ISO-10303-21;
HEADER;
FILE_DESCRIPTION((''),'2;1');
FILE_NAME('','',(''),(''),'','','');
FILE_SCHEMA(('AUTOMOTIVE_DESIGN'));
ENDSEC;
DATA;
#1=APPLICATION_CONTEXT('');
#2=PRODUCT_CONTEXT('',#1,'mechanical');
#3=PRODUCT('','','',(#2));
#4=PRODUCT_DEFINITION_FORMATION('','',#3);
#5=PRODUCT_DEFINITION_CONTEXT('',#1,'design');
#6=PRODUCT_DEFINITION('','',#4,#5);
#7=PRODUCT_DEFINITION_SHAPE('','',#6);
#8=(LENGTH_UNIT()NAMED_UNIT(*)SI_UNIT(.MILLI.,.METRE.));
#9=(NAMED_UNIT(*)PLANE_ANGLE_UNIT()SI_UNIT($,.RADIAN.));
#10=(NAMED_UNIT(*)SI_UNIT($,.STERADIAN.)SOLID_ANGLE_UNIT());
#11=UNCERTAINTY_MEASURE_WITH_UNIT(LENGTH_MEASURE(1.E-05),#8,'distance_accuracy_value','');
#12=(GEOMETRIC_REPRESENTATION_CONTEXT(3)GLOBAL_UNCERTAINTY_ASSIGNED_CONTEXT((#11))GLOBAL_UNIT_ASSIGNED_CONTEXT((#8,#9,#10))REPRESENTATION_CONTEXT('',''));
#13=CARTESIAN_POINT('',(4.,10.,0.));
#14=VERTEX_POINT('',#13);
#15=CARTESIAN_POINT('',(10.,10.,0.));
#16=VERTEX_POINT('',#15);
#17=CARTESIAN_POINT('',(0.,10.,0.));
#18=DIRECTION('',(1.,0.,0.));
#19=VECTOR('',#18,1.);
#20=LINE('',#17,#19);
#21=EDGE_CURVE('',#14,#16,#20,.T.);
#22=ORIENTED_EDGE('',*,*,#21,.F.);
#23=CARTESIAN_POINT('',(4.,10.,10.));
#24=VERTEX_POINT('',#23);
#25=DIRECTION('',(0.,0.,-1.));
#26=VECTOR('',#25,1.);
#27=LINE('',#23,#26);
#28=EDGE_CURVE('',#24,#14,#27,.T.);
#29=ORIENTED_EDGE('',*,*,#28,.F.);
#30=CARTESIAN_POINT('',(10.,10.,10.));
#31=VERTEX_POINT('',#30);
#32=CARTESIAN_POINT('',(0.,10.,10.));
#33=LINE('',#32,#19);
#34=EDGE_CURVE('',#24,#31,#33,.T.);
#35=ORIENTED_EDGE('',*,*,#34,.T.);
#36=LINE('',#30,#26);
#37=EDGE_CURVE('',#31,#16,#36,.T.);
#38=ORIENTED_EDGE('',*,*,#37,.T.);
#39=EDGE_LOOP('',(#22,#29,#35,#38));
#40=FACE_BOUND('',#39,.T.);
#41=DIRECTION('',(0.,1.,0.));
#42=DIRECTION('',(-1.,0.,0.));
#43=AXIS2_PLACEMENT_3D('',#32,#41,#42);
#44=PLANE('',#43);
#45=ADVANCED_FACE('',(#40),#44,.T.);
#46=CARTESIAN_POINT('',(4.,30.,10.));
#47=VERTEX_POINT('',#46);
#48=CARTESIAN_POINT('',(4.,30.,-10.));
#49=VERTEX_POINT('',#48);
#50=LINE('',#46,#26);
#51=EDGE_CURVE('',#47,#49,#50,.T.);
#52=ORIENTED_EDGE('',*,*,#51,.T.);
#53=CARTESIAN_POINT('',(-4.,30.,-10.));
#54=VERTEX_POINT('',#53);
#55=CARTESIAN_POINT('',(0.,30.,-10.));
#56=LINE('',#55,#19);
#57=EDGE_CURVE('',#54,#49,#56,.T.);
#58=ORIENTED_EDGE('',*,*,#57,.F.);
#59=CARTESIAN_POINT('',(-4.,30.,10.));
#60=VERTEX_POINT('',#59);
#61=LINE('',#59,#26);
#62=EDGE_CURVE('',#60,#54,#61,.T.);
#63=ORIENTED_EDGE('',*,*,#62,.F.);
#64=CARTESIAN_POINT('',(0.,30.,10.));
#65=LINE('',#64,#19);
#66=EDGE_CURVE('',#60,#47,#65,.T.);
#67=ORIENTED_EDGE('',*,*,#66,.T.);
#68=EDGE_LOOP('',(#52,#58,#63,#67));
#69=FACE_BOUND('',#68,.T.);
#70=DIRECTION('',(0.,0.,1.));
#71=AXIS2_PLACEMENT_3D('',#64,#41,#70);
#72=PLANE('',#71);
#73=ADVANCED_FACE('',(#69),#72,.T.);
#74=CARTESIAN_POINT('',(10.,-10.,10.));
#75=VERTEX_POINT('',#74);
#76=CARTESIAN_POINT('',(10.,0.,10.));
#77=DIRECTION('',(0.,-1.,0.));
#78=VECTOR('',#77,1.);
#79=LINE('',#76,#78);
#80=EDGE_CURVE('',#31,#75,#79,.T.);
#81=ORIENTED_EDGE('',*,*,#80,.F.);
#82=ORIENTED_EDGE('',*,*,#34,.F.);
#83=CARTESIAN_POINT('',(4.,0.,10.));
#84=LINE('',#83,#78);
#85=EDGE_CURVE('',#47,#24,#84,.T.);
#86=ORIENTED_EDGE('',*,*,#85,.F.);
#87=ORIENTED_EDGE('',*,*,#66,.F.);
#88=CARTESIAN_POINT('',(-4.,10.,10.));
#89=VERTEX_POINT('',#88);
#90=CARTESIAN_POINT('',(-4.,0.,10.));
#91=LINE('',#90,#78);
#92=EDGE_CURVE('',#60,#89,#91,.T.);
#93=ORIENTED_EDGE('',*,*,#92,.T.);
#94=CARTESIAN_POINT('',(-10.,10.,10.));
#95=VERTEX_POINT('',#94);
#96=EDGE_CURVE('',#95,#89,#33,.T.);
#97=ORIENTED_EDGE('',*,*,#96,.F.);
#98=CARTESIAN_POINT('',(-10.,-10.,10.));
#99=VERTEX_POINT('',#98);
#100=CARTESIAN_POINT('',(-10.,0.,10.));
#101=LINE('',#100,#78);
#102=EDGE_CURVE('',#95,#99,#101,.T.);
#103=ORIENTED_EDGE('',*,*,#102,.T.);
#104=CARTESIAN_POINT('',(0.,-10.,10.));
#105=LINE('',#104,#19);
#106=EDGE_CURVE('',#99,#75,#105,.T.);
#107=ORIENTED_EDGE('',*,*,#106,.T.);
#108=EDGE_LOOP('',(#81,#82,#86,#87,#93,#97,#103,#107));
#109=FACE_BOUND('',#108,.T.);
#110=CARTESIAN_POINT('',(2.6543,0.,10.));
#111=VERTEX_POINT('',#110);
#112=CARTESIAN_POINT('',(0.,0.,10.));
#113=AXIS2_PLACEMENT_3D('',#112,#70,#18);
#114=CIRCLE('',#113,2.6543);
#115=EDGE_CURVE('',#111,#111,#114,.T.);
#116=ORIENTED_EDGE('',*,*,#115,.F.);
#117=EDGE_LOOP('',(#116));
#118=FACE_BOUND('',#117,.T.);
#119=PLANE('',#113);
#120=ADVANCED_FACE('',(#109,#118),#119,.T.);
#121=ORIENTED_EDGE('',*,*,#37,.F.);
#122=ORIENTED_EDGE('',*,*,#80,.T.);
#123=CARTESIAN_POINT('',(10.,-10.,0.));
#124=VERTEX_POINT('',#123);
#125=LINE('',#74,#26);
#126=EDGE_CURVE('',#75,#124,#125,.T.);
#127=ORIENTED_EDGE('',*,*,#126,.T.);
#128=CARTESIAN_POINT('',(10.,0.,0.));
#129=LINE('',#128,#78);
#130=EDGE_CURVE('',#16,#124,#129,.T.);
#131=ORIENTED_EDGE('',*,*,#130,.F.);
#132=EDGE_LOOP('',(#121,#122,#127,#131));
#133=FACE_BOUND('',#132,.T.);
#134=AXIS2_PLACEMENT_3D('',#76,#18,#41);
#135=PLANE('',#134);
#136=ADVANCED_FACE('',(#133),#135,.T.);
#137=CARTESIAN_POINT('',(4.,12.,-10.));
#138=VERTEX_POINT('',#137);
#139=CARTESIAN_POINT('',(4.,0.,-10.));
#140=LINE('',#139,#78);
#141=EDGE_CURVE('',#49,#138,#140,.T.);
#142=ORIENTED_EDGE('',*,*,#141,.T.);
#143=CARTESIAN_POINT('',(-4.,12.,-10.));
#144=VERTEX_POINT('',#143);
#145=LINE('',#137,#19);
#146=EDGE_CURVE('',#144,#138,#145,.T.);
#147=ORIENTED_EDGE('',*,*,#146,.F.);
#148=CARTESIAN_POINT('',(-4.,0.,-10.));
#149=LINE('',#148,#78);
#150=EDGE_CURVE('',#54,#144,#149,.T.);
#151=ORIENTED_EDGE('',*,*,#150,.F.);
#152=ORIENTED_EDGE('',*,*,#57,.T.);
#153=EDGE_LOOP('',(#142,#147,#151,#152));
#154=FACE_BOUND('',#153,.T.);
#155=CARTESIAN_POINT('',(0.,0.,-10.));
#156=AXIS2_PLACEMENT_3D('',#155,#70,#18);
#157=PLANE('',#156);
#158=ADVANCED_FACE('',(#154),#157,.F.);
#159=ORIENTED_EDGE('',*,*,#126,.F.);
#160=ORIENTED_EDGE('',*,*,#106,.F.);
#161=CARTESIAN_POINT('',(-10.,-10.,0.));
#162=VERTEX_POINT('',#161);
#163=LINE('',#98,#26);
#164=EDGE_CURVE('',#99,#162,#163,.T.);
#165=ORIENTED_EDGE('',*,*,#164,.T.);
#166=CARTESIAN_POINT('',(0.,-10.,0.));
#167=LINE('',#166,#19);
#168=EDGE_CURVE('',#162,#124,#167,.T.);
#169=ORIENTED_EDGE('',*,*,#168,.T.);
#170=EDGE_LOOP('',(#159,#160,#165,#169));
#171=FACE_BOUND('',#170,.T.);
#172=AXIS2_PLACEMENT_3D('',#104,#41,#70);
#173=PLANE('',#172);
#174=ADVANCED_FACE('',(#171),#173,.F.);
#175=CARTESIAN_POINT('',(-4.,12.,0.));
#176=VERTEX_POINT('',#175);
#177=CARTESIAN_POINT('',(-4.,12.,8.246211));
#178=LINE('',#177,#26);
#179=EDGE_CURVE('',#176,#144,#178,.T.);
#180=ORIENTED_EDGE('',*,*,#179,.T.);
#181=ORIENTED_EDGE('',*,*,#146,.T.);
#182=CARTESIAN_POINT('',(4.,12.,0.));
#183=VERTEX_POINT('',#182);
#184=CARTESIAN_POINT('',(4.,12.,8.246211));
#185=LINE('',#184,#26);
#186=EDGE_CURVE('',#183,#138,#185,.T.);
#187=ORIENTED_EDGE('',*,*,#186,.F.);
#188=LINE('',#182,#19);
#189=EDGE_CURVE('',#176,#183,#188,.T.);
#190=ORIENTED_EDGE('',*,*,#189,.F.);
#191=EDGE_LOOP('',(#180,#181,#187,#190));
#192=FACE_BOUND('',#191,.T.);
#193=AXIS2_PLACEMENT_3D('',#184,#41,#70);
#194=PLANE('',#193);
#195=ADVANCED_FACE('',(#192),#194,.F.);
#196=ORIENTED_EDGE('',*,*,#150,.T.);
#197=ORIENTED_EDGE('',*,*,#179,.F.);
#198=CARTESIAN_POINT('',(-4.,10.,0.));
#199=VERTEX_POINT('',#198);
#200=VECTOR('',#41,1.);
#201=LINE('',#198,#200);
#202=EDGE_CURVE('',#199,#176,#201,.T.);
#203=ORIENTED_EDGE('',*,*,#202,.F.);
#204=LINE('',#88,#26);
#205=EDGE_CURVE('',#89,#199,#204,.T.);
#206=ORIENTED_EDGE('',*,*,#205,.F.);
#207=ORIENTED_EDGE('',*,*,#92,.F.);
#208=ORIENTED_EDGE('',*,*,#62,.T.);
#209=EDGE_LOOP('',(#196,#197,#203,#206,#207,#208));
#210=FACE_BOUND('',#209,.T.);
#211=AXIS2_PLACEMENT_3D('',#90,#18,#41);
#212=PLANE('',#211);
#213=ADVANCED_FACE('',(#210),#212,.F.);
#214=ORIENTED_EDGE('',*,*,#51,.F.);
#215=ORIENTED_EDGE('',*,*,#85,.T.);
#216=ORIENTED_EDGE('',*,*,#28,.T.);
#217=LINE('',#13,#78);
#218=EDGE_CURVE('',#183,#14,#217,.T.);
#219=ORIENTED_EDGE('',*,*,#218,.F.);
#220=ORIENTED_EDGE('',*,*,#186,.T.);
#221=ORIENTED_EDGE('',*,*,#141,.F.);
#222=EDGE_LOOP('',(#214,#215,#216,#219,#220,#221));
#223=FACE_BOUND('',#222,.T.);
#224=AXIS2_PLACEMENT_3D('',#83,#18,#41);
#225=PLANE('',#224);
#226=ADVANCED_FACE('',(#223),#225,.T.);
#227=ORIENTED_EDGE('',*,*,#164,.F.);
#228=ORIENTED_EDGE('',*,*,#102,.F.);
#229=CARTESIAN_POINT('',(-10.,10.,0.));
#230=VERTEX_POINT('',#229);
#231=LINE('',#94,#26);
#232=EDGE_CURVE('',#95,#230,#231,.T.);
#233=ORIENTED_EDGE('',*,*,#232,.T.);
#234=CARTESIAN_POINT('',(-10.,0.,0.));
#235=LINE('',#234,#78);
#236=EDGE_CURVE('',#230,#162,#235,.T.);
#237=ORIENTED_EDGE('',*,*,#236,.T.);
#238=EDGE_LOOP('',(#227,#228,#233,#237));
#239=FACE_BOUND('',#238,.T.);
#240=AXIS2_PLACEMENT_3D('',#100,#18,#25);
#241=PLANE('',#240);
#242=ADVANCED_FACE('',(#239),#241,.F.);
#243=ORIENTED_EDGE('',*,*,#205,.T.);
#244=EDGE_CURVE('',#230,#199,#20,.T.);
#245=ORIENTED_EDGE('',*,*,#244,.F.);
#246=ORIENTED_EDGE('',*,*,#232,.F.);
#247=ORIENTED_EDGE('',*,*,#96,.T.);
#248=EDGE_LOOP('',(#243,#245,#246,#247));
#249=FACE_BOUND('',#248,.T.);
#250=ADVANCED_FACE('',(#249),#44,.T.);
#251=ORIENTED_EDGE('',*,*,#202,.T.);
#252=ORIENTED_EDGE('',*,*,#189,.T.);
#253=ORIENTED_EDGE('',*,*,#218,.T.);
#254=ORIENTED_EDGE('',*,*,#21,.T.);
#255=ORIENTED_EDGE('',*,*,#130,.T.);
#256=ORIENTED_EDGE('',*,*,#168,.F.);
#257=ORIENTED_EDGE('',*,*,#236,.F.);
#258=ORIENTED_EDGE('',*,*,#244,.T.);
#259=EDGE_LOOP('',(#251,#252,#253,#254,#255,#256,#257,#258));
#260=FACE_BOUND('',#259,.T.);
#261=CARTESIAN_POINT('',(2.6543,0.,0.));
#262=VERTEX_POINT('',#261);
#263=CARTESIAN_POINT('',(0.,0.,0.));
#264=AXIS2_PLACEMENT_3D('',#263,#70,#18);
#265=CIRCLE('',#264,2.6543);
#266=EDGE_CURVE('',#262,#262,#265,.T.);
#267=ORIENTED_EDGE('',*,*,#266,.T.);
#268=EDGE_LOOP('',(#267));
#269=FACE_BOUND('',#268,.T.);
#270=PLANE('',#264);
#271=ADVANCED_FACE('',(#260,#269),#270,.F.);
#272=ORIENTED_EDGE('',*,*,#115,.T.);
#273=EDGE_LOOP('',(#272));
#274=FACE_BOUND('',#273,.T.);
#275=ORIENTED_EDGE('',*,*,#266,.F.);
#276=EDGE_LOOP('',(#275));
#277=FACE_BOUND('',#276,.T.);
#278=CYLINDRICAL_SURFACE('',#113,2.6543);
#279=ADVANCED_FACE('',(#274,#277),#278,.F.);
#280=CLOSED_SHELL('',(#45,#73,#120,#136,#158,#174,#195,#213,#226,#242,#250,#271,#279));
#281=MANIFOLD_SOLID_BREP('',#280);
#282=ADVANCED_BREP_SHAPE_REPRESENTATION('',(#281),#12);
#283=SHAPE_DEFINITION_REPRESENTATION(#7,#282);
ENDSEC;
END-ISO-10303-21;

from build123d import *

# Parameters (mm, degrees)
SKETCH1_W                  = 20
SKETCH1_H                  = 20
SKETCH1_W_2                = 8
BOSS_EXTRUDE1_DEPTH        = 10
F_4_0_209_DIAMETER_HOLE1_D = 5.3086
SKETCH1_3_W                = 8
SKETCH1_3_H                = 20
BOSS_EXTRUDE2_DEPTH        = 10
SKETCH4_W                  = 8
SKETCH4_H                  = 2
CUT_EXTRUDE1_DEPTH         = 10


with BuildPart() as part:
    # Sketch1 → Boss-Extrude1 (new body)
    with BuildSketch(Plane.XY):
        Rectangle(SKETCH1_W, SKETCH1_H)
        with Locations((0, 20)):
            Rectangle(SKETCH1_W_2, SKETCH1_H)
    extrude(amount=BOSS_EXTRUDE1_DEPTH)

    # #4 (0.209) Diameter Hole1 (through all)
    with Locations(Plane.XY.offset(10)):
        with Locations((0, 0)):
            Hole(F_4_0_209_DIAMETER_HOLE1_D / 2)

    # Sketch1<3> → Boss-Extrude2 (add)
    with BuildSketch(Plane.XY):
        with Locations((0, 20)):
            Rectangle(SKETCH1_3_W, SKETCH1_3_H)
    extrude(amount=-BOSS_EXTRUDE2_DEPTH)

    # Sketch4 → Cut-Extrude1 (cut)
    with BuildSketch(Plane(origin=(0, 0, -10), x_dir=(-1, 0, 0), z_dir=(0, 0, -1))):
        with Locations((0, 11)):
            Rectangle(SKETCH4_W, SKETCH4_H)
    extrude(amount=-CUT_EXTRUDE1_DEPTH, mode=Mode.SUBTRACT)


solid = part.part
